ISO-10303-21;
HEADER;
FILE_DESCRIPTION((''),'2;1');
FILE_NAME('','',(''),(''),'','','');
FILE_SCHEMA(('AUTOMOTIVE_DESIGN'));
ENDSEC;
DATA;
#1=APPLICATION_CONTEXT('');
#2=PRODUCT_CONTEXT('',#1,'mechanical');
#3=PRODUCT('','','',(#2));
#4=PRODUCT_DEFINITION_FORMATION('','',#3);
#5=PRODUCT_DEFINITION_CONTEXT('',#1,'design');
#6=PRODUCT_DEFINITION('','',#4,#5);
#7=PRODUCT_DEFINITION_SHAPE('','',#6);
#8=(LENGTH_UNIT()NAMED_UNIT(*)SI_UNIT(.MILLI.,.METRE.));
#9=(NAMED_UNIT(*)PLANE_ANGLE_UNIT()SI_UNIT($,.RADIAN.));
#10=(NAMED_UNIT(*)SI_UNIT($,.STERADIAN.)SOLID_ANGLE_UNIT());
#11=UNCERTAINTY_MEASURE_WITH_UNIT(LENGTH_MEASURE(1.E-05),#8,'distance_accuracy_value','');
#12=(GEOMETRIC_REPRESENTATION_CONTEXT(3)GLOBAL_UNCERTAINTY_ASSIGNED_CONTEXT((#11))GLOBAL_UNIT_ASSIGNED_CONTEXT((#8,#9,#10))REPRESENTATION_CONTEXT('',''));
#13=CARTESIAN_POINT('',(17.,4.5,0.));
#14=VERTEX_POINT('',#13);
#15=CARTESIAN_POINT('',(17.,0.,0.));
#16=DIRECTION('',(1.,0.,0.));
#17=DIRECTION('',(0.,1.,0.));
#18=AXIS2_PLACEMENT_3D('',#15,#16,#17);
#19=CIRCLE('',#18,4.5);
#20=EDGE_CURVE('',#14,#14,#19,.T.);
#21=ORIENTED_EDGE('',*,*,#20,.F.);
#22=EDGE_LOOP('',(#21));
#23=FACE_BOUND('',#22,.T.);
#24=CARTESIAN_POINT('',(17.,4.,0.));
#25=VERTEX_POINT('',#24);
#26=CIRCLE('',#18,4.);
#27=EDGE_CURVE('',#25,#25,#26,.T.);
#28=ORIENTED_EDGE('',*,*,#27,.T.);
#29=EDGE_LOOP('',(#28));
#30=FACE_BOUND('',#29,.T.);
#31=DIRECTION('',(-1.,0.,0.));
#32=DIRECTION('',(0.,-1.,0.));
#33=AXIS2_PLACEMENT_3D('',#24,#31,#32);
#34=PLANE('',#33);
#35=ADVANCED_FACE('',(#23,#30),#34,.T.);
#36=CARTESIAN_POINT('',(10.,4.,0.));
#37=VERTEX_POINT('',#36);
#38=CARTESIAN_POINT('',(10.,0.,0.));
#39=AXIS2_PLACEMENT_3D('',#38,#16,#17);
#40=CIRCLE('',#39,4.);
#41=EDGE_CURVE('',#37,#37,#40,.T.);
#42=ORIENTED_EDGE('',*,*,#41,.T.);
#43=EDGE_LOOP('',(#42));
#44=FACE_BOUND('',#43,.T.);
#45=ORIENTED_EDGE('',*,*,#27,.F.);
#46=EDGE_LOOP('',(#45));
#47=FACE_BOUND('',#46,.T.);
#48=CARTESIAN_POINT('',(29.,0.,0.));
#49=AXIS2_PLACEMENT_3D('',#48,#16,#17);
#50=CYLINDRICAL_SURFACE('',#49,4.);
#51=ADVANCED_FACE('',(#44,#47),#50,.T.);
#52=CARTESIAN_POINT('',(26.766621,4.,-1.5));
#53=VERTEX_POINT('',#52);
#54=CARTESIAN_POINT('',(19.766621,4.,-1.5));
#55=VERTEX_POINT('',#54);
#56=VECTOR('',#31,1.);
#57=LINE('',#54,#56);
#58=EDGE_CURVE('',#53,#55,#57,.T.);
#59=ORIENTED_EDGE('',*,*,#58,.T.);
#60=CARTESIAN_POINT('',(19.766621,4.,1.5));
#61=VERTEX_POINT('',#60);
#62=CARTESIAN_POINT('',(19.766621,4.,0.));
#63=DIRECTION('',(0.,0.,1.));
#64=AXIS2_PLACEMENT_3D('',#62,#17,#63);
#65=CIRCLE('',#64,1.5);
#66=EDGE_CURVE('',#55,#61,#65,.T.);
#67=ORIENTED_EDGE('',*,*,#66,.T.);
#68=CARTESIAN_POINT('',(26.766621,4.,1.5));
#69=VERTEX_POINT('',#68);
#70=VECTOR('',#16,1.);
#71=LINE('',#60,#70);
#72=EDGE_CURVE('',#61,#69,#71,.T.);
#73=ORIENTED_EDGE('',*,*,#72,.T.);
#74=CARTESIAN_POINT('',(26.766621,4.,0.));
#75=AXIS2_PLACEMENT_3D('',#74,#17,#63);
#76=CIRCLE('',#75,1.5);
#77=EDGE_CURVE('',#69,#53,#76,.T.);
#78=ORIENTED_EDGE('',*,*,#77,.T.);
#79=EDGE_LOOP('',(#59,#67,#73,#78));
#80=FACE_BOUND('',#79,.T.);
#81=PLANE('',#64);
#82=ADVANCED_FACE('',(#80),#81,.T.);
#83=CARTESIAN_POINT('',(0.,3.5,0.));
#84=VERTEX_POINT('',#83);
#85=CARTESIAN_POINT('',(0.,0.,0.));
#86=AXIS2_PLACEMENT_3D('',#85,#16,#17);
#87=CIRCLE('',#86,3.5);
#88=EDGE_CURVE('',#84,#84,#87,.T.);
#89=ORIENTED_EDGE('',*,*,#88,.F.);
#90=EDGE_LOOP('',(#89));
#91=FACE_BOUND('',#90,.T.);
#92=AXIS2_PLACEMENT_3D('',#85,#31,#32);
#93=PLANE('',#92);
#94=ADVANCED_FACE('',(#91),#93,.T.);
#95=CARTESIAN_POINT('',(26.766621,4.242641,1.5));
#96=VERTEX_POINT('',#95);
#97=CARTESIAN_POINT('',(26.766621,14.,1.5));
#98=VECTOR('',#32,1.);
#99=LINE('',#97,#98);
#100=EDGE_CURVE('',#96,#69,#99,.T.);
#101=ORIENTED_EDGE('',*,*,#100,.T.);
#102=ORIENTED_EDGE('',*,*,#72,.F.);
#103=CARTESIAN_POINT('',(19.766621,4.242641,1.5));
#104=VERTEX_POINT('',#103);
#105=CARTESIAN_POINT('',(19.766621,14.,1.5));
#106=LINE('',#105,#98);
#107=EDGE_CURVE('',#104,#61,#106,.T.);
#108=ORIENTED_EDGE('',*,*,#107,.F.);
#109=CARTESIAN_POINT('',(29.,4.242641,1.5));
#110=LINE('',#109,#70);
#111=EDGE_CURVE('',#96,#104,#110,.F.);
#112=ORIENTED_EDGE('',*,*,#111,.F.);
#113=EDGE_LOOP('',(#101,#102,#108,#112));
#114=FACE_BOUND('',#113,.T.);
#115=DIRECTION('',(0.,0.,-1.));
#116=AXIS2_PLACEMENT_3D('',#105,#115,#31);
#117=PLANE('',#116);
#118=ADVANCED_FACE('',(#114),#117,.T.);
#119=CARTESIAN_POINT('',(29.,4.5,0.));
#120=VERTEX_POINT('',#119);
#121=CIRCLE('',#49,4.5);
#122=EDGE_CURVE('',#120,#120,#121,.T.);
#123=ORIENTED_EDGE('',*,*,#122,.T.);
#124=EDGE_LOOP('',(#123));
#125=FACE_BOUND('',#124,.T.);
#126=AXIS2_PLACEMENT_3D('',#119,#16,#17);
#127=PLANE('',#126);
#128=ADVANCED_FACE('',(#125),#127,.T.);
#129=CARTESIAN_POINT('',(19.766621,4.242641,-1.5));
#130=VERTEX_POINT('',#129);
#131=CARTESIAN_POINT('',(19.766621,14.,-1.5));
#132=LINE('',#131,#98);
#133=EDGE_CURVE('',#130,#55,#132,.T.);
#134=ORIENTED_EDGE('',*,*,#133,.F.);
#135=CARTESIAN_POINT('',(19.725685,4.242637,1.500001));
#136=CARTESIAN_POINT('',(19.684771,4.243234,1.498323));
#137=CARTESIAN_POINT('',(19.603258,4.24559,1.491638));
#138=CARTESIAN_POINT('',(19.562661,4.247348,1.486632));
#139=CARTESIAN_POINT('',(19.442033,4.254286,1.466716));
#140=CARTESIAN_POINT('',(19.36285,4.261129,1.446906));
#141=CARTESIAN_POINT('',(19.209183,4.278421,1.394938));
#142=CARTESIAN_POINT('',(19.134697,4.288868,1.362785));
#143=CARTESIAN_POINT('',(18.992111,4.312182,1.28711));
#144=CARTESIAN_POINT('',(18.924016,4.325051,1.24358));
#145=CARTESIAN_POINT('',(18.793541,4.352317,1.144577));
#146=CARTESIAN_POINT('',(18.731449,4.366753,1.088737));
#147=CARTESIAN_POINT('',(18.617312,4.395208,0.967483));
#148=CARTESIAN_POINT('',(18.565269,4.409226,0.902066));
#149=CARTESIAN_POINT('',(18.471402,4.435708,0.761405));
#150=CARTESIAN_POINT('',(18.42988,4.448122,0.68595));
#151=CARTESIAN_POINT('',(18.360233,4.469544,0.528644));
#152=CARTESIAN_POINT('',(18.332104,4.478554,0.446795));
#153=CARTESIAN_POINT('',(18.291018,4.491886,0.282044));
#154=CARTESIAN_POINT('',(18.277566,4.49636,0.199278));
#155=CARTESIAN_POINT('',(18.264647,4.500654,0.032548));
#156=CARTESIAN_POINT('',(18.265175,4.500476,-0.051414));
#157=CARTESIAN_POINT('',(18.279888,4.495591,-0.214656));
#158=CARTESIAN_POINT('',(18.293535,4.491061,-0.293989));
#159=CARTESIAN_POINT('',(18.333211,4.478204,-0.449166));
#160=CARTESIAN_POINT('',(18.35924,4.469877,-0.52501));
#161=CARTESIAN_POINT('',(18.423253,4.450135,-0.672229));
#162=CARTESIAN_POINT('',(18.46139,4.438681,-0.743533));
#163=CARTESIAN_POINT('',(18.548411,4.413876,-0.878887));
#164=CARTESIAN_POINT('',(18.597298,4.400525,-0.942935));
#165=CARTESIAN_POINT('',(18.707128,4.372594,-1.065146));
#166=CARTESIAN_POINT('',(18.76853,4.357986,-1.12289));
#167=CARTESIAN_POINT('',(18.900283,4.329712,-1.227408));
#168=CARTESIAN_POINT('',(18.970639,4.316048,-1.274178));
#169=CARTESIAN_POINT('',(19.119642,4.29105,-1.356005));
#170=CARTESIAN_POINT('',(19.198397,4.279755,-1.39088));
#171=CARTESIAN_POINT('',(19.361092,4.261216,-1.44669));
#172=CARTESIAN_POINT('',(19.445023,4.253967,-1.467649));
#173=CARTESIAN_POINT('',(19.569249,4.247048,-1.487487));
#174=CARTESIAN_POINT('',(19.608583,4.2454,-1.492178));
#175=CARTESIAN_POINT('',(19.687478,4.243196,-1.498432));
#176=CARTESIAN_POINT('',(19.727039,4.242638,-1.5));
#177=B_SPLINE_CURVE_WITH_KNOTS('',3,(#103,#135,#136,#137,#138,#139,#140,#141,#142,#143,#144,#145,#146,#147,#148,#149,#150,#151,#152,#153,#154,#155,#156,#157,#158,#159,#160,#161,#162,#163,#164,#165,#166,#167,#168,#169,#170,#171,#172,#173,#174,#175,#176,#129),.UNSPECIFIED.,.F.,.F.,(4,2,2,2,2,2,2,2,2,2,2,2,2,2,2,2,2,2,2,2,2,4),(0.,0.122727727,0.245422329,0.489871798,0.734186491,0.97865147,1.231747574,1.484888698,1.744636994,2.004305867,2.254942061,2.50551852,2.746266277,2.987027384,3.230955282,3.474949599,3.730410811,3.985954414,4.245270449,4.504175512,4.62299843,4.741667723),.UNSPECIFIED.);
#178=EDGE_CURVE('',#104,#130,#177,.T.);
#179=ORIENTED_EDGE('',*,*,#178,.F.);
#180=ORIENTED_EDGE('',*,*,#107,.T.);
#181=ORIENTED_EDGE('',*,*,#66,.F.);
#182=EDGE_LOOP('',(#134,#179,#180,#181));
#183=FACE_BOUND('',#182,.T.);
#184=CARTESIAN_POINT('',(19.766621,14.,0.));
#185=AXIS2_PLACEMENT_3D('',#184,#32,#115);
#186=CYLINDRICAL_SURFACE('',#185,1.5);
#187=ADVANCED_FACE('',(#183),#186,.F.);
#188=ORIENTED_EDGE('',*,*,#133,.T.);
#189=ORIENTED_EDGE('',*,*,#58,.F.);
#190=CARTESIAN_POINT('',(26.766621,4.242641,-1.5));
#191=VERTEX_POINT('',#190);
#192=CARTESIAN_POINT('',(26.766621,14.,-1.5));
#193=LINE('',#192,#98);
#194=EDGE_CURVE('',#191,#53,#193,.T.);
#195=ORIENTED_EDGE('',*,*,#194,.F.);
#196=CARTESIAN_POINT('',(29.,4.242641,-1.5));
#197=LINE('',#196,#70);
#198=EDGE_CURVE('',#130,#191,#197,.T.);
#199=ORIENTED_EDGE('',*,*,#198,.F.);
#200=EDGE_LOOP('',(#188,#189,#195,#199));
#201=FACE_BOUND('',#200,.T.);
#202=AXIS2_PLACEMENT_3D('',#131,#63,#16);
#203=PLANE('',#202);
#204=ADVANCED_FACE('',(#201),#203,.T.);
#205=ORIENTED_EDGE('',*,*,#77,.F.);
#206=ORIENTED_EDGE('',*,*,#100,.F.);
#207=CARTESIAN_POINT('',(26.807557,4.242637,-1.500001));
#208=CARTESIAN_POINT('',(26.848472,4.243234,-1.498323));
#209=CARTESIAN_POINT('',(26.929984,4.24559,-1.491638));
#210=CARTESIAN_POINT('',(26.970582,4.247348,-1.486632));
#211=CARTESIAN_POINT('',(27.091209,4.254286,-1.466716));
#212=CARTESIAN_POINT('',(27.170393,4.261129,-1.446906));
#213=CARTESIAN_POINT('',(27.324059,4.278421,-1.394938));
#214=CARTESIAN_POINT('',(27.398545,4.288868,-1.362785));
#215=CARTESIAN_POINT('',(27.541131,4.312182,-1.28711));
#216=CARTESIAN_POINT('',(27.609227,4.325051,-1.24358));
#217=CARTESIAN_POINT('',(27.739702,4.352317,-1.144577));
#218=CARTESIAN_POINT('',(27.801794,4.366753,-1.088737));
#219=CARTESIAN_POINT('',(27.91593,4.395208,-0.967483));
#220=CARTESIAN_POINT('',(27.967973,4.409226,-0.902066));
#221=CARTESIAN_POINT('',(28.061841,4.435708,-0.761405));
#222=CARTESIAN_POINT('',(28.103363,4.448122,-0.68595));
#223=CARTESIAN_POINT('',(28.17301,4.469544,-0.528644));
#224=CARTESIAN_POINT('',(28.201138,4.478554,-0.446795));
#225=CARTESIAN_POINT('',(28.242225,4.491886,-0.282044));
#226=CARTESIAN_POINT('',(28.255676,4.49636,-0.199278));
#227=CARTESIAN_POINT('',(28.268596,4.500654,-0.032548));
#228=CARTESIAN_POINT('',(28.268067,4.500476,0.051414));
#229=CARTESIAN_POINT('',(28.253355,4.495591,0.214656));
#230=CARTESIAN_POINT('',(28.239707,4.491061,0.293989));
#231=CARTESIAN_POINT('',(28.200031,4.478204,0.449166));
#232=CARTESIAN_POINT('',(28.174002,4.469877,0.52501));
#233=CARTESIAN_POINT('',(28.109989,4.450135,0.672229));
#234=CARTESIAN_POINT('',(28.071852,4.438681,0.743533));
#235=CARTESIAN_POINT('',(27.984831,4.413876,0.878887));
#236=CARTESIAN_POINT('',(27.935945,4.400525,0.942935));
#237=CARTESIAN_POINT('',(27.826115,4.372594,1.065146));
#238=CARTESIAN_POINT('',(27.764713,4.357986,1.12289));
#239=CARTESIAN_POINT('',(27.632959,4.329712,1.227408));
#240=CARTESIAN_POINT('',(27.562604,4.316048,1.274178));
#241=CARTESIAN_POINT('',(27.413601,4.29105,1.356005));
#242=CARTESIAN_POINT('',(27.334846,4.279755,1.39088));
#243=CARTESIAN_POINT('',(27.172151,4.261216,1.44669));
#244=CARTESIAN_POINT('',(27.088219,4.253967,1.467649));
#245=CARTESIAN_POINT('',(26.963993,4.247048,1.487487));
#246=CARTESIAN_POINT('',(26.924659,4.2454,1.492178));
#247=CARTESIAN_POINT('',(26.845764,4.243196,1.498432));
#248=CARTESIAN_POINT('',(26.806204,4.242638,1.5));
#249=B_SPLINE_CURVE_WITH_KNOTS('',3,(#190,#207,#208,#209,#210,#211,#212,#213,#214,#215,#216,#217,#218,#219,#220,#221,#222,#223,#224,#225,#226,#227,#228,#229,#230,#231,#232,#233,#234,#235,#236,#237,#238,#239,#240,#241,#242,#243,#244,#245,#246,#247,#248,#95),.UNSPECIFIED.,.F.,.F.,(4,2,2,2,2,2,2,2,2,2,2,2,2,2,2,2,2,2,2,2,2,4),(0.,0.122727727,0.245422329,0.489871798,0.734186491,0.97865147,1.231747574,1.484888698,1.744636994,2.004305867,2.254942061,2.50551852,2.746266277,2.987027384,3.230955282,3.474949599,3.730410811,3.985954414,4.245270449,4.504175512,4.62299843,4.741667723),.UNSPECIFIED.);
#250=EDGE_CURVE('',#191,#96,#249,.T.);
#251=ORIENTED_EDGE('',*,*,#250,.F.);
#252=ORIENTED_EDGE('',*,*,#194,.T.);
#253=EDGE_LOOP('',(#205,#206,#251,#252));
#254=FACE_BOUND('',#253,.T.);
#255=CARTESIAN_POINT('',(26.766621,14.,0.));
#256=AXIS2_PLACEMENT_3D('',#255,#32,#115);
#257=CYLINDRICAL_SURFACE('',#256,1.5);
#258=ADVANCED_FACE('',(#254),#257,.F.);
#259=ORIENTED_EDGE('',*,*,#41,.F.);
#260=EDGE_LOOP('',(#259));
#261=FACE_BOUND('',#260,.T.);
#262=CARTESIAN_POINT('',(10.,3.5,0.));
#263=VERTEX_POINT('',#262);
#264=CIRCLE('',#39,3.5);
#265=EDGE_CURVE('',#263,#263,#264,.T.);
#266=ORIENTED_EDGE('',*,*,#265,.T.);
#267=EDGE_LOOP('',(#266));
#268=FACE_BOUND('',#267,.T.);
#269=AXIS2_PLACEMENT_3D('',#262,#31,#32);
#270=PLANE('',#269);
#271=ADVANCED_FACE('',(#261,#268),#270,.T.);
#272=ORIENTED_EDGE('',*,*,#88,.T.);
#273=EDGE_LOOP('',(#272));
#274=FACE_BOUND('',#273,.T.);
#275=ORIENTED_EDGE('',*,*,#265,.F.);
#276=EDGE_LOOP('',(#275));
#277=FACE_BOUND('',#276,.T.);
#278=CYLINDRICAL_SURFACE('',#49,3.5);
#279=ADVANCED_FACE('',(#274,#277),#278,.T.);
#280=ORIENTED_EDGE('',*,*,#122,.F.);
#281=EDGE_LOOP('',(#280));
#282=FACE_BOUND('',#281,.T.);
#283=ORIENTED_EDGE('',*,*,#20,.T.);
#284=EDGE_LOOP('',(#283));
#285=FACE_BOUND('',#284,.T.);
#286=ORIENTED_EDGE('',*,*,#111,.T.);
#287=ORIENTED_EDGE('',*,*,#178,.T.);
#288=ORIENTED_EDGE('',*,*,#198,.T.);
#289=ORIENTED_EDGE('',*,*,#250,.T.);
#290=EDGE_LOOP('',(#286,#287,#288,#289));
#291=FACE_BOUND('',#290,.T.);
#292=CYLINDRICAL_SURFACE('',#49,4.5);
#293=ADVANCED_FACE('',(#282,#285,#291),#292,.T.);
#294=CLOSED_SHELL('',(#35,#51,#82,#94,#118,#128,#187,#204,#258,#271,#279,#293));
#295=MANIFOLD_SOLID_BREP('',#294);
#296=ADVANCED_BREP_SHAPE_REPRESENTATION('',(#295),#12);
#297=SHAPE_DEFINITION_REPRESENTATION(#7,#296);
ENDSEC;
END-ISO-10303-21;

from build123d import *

# Parameters (mm, degrees)
CUT_EXTRUDE1_START = 4
CUT_EXTRUDE1_DEPTH = 10


with BuildPart() as part:
    # Sketch1 → Revolve1 (revolve)
    with BuildSketch(Plane.XY):
        Polygon((0, 0), (0, 3.5), (10, 3.5), (10, 4), (17, 4), (17, 4.5), (29, 4.5), (29, 0), align=None)
    revolve(axis=Axis((29, 0, 0), (-1, 0, 0)))

    # Sketch2 → Cut-Extrude1 (cut)
    with BuildSketch(Plane(origin=(0, 0, 0), x_dir=(1, 0, 0), z_dir=(0, 1, 0)).offset(CUT_EXTRUDE1_START)):
        with BuildLine():
            Line((19.76662124, 1.5), (26.76662124, 1.5))
            ThreePointArc((26.76662124, 1.5), (28.26662124, 0), (26.76662124, -1.5))
            Line((26.76662124, -1.5), (19.76662124, -1.5))
            ThreePointArc((19.76662124, -1.5), (18.26662124, 0), (19.76662124, 1.5))
        make_face()
    extrude(amount=CUT_EXTRUDE1_DEPTH, mode=Mode.SUBTRACT)


solid = part.part
